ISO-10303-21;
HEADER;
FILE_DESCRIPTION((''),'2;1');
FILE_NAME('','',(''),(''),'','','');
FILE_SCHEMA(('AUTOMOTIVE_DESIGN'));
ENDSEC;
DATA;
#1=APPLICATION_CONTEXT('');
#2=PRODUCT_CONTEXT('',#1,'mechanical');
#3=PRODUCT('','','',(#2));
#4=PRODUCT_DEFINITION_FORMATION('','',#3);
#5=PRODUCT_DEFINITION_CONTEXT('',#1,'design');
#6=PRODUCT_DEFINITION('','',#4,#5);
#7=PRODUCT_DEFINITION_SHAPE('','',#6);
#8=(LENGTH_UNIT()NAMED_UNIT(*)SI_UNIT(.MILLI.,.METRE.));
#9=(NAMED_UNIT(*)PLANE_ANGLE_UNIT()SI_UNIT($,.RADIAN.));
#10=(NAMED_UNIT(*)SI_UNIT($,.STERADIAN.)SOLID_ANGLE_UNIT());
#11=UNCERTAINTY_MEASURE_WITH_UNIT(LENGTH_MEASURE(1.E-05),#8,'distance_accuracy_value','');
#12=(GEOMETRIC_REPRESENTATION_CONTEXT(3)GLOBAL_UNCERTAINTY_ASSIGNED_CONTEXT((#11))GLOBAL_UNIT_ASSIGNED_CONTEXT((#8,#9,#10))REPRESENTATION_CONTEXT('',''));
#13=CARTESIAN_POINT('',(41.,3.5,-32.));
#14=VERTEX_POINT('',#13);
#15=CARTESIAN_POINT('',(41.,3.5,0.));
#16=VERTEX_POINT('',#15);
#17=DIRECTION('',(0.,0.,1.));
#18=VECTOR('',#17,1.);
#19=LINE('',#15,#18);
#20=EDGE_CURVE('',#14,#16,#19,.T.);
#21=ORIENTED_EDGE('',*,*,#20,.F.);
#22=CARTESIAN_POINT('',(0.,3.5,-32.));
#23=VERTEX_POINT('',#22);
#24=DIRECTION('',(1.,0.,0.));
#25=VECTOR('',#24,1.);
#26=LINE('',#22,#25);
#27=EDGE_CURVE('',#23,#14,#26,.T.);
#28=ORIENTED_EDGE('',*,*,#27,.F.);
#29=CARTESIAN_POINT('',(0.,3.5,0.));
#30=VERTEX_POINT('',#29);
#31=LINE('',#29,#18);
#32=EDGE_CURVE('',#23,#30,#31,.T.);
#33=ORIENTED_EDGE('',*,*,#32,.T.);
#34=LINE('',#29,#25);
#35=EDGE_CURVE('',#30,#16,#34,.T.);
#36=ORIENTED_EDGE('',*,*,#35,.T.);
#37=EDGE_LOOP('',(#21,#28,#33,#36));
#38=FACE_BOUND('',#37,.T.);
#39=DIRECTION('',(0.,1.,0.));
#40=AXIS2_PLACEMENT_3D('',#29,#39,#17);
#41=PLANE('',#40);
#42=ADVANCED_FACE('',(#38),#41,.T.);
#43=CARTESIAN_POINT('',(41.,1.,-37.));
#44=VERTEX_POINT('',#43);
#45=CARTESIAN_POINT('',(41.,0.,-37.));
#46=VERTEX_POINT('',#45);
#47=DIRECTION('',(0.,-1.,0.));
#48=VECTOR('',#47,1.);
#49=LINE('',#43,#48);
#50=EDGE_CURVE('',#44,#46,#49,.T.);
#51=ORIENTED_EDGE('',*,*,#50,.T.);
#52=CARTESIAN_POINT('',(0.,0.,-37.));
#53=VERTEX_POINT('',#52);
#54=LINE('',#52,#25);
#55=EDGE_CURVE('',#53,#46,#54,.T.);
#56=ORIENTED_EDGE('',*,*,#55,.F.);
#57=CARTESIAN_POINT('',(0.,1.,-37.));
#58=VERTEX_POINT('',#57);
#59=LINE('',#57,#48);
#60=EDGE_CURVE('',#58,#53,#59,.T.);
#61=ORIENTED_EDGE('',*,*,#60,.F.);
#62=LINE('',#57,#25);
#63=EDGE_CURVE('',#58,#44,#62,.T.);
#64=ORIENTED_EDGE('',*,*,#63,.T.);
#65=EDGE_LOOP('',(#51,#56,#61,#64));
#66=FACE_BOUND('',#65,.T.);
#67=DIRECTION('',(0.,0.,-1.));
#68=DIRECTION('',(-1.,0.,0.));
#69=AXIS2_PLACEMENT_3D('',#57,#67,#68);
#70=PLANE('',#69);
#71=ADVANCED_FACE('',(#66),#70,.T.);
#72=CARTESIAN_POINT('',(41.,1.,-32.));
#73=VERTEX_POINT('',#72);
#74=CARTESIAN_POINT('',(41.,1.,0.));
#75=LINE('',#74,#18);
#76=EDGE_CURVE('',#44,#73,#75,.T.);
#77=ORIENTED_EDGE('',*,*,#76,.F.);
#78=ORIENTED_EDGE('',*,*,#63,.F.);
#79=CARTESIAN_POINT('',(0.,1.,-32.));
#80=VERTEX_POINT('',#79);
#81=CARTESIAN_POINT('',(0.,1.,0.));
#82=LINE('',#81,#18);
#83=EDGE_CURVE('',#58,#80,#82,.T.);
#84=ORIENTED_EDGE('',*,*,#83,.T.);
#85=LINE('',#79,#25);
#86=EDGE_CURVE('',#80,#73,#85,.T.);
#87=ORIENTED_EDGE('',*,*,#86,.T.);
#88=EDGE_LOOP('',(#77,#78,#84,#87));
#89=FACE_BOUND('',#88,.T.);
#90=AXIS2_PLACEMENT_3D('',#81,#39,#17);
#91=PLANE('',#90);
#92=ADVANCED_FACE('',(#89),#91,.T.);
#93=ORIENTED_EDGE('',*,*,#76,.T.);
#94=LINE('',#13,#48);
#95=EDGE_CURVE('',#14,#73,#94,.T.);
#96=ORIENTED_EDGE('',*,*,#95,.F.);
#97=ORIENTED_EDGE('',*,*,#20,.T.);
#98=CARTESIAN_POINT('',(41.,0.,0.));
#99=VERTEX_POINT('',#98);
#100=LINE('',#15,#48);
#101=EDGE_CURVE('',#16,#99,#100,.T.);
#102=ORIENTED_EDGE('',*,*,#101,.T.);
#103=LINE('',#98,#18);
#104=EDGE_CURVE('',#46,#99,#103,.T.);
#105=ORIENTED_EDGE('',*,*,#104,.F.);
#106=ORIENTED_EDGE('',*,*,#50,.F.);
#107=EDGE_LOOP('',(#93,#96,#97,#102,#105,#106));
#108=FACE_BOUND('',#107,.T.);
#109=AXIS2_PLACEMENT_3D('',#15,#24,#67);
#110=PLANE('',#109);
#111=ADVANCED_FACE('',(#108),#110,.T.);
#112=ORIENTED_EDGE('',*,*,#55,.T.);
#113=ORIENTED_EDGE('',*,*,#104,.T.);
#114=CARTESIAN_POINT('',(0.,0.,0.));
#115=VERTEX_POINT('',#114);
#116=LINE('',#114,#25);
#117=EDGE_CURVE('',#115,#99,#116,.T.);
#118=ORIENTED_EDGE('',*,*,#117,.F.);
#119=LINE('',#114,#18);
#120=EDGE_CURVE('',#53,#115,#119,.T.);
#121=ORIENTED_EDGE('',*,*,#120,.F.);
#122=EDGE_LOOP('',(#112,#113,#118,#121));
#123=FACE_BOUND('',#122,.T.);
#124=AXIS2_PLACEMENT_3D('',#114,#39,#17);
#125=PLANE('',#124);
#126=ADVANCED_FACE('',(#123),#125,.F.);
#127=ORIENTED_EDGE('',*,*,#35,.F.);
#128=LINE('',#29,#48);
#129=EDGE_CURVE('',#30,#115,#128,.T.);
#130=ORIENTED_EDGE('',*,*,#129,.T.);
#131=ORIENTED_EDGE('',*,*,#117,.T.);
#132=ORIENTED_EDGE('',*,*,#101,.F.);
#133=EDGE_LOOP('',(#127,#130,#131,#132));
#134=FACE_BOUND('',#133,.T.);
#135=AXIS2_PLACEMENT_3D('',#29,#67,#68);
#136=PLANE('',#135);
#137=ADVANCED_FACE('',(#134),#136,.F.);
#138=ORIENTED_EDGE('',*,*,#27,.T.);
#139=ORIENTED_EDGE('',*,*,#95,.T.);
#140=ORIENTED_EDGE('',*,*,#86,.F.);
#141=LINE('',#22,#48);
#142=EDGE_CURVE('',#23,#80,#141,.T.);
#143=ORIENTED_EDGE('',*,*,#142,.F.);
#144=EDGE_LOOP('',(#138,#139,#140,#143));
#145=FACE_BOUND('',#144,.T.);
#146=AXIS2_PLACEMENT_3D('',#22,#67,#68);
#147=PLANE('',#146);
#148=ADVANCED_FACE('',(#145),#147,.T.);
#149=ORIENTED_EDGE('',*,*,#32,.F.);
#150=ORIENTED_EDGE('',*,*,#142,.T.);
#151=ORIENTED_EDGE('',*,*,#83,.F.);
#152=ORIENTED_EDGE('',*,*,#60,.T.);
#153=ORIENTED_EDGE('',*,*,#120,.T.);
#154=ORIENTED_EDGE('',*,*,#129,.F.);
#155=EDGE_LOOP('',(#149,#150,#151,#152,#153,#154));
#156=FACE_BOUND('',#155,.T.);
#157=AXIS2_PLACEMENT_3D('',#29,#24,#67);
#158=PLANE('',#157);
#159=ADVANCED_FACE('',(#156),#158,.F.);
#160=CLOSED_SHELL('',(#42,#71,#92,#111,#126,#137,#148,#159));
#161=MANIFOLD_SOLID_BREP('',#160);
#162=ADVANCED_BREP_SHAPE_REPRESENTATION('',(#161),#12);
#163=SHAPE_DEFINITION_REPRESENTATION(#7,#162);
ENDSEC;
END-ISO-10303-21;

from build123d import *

# Parameters (mm, degrees)
CROQUIS1_W              = 41
CROQUIS1_H              = 32
SALIENTE_EXTRUIR2_DEPTH = 3.5
CROQUIS1_4_W            = 41
CROQUIS1_4_H            = 5
SALIENTE_EXTRUIR3_DEPTH = 1


with BuildPart() as part:
    # Croquis1 → Saliente-Extruir2 (new body)
    with BuildSketch(Plane(origin=(0, 0, 0), x_dir=(1, 0, 0), z_dir=(0, 1, 0))):
        with Locations((20.5, 16)):
            Rectangle(CROQUIS1_W, CROQUIS1_H)
    extrude(amount=SALIENTE_EXTRUIR2_DEPTH)

    # Croquis1<4> → Saliente-Extruir3 (add)
    with BuildSketch(Plane(origin=(0, 0, 0), x_dir=(1, 0, 0), z_dir=(0, 1, 0))):
        with Locations((20.5, 34.5)):
            Rectangle(CROQUIS1_4_W, CROQUIS1_4_H)
    extrude(amount=SALIENTE_EXTRUIR3_DEPTH)


solid = part.part
